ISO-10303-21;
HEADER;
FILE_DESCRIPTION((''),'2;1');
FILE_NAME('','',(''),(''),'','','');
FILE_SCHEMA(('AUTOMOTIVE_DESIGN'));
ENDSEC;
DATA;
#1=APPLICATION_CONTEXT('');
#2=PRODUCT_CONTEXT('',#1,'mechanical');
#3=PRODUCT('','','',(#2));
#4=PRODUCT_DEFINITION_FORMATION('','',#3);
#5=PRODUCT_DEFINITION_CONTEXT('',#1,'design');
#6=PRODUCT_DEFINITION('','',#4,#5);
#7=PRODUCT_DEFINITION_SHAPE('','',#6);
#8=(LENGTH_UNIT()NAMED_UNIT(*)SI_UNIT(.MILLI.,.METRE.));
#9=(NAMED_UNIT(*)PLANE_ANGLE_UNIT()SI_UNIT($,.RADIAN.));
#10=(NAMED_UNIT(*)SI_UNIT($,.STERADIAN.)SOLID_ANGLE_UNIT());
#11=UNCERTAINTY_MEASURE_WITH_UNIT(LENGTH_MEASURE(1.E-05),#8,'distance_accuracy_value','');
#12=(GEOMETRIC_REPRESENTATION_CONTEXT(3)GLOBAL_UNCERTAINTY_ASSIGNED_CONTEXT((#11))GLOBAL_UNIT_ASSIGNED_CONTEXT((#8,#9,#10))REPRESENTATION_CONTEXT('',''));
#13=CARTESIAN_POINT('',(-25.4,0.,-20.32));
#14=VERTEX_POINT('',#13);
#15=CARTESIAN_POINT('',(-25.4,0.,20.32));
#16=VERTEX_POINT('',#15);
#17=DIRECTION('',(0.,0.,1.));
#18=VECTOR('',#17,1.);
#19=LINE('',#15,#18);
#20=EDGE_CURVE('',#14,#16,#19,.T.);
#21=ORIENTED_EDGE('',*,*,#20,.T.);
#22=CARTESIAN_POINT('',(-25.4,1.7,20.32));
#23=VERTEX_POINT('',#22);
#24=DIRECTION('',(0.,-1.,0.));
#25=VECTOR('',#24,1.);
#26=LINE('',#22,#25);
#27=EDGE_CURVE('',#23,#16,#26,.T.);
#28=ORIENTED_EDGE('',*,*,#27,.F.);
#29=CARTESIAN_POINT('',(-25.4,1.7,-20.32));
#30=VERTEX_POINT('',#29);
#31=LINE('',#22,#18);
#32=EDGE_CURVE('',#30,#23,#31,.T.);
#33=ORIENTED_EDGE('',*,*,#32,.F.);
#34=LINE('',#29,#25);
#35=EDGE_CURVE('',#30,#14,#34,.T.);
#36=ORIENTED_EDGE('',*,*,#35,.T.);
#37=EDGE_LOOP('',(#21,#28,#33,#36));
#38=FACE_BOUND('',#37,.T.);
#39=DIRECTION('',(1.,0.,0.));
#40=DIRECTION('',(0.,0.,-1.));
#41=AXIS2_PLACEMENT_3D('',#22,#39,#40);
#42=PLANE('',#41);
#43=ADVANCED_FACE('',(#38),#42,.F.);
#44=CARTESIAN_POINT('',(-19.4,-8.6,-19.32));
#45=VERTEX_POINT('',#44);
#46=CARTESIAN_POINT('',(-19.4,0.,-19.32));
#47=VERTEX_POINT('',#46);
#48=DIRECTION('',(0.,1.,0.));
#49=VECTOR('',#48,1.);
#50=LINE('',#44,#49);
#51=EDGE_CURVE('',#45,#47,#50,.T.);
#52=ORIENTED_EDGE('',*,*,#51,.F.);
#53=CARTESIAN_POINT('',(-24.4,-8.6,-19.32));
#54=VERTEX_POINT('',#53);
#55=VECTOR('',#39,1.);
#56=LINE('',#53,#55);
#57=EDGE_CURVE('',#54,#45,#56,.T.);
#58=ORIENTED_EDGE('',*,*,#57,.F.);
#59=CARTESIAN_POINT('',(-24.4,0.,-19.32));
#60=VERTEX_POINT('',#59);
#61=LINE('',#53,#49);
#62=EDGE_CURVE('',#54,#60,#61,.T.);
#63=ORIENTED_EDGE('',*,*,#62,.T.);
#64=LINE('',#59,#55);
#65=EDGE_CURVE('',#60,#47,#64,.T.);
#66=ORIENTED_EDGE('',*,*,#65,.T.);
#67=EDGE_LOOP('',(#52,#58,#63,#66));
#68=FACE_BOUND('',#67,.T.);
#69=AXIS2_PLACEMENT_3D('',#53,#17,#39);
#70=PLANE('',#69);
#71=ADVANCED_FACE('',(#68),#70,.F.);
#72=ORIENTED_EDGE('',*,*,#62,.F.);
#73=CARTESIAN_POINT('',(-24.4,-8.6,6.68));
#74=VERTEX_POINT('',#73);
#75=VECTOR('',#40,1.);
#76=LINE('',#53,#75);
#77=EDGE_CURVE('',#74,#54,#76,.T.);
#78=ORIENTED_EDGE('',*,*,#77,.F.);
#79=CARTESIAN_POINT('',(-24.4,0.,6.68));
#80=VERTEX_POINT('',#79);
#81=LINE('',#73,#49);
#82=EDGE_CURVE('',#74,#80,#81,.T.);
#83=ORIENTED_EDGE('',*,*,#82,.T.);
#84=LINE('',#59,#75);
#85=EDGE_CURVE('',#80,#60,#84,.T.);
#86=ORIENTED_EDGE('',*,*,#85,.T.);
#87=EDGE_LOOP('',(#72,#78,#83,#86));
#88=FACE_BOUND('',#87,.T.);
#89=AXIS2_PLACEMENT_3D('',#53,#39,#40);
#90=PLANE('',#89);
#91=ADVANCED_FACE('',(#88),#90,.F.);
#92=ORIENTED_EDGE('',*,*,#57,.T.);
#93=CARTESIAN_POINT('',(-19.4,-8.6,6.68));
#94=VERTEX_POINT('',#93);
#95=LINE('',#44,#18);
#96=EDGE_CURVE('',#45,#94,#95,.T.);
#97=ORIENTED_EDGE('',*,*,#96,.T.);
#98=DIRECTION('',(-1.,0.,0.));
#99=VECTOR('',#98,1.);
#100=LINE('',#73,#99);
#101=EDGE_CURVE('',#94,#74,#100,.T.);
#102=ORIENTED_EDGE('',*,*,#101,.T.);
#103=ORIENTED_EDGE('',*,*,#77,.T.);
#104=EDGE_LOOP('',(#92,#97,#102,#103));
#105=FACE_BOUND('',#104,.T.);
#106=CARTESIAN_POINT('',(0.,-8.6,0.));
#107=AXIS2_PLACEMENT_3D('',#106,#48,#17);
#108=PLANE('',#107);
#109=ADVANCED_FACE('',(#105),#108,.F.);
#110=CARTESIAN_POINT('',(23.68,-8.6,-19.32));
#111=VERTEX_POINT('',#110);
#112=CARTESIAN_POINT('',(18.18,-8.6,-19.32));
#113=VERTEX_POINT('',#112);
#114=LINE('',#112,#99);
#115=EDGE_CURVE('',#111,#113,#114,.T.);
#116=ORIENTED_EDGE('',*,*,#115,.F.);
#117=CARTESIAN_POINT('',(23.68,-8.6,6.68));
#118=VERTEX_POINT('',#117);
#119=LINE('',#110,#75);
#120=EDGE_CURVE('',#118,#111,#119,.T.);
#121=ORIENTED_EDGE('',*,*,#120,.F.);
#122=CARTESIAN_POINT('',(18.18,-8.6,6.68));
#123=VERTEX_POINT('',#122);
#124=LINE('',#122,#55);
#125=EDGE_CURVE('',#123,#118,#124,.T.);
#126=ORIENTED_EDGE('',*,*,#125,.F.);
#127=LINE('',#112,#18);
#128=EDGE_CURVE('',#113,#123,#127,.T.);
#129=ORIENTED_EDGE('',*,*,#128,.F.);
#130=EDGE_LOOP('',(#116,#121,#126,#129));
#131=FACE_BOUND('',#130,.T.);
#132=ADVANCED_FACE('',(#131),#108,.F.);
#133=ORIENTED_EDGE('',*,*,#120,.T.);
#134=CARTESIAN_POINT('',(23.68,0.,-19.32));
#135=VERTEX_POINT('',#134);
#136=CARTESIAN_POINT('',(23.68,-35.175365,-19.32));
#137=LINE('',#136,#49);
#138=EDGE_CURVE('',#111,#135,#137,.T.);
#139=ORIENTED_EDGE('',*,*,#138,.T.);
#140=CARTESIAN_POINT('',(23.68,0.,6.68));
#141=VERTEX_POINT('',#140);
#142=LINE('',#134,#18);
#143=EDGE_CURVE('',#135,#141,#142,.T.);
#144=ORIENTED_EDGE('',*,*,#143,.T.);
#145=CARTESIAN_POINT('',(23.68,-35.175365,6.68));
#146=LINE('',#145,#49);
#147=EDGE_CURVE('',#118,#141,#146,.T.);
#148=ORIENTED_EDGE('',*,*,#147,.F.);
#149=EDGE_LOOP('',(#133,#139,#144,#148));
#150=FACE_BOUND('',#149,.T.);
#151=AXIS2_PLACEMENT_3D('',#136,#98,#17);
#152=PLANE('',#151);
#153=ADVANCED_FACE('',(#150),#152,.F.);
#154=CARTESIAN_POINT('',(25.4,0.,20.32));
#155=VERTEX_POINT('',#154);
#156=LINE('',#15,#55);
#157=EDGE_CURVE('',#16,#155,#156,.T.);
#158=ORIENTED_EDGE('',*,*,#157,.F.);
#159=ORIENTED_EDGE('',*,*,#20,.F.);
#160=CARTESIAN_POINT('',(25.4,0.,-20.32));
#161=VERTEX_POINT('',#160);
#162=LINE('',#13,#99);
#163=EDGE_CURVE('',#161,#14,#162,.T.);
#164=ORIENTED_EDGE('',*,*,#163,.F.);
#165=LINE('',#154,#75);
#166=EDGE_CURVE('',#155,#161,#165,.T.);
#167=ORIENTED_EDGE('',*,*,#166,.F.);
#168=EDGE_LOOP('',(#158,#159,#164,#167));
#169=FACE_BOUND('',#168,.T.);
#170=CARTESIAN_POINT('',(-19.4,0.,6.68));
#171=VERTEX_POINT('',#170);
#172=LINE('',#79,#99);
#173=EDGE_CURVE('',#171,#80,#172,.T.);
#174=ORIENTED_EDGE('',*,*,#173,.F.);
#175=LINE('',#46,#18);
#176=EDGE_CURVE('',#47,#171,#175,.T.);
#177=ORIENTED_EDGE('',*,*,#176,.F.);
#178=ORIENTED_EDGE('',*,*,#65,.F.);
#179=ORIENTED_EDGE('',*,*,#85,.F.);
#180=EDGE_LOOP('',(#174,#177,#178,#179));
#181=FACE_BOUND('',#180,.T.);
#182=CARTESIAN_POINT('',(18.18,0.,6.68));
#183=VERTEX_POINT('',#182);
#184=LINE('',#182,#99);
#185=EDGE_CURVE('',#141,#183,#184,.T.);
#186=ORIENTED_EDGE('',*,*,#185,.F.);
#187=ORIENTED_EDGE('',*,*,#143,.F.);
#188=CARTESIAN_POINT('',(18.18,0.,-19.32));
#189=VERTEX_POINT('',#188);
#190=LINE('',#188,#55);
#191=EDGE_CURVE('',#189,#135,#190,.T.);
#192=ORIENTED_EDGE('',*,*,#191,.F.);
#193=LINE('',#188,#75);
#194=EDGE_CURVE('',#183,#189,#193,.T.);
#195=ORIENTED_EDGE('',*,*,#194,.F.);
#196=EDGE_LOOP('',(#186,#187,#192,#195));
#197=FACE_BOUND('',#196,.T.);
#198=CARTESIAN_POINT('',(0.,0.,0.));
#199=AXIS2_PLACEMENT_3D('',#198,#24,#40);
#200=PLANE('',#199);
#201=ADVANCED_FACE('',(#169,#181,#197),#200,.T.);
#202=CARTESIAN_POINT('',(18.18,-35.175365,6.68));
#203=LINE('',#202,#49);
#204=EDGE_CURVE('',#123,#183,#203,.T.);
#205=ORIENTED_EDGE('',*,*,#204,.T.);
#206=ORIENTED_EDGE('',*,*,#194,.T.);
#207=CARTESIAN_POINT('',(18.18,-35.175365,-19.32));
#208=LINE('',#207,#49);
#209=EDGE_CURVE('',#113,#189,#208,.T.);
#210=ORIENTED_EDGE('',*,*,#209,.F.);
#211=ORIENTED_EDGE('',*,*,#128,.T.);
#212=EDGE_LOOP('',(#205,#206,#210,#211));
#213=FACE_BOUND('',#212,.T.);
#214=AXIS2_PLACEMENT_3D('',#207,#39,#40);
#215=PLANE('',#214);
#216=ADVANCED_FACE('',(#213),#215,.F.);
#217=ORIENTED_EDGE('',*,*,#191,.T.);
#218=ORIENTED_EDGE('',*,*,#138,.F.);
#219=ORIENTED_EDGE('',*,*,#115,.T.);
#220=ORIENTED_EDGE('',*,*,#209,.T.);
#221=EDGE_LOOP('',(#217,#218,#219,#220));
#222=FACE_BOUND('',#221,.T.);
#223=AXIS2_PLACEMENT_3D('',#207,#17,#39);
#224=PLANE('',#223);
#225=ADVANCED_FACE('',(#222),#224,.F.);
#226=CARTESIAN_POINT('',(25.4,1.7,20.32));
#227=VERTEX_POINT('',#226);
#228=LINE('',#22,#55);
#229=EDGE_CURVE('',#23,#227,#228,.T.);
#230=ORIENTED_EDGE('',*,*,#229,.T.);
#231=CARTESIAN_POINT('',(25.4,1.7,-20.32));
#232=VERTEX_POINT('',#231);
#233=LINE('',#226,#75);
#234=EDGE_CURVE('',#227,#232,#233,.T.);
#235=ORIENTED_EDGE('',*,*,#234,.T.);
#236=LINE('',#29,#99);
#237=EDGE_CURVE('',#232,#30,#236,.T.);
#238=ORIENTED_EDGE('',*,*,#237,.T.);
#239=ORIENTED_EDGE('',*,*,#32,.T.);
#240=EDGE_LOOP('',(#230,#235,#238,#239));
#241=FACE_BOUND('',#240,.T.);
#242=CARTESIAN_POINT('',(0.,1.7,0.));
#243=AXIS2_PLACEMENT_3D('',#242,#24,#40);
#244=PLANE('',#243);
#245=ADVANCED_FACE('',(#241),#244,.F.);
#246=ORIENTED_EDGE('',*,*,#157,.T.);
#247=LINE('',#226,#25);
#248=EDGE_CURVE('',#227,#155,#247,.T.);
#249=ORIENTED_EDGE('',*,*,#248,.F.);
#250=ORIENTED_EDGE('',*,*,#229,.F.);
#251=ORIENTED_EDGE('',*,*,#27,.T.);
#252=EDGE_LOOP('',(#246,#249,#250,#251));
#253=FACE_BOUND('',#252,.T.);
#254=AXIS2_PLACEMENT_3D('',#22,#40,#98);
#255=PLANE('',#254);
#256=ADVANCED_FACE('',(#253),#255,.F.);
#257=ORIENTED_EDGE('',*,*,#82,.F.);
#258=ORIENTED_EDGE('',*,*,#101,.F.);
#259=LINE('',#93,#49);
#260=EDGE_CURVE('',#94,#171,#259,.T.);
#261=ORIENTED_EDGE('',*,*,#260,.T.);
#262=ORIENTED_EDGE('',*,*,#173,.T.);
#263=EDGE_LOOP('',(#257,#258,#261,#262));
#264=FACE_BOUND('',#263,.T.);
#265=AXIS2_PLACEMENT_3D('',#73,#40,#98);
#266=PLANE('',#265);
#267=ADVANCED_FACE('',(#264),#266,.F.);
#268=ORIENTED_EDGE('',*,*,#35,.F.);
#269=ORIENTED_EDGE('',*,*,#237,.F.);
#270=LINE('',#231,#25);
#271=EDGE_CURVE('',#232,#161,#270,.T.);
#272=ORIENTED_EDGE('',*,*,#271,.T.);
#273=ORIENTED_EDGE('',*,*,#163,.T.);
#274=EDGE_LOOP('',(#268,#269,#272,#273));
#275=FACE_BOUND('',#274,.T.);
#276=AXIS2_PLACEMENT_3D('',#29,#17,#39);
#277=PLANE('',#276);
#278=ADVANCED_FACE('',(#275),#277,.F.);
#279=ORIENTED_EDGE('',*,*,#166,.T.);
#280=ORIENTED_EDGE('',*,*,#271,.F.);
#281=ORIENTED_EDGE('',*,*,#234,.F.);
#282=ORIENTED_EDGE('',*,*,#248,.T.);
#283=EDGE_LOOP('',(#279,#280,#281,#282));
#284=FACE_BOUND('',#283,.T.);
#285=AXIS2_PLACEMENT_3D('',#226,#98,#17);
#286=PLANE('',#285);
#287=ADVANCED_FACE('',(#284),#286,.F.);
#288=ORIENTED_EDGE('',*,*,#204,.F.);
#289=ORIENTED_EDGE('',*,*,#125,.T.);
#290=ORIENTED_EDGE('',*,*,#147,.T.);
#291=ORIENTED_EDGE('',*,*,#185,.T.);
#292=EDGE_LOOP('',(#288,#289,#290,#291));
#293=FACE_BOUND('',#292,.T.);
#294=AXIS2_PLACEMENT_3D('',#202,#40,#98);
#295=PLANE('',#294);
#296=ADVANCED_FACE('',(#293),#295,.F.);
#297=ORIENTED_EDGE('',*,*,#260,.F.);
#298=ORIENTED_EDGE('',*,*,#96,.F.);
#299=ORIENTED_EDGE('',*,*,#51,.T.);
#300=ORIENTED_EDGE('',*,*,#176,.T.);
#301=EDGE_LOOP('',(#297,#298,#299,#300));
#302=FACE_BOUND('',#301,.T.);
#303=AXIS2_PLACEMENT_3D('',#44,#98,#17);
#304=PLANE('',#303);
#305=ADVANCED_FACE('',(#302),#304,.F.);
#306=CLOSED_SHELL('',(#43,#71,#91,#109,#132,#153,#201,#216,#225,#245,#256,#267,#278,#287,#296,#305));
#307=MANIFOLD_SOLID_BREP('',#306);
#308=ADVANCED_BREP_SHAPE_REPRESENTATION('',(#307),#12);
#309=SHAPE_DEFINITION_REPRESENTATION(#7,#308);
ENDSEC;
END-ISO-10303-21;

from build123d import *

# Parameters (mm, degrees)
SKETCH1_W           = 50.8
SKETCH1_H           = 40.64
BOSS_EXTRUDE1_DEPTH = 1.7
SKETCH2_W           = 5
SKETCH2_H           = 26
BOSS_EXTRUDE2_DEPTH = 8.6
SKETCH3_W           = 5.5
SKETCH3_H           = 26
BOSS_EXTRUDE3_DEPTH = 8.6


with BuildPart() as part:
    # Sketch1 → Boss-Extrude1 (new body)
    with BuildSketch(Plane(origin=(0, 0, 0), x_dir=(1, 0, 0), z_dir=(0, 1, 0))):
        Rectangle(SKETCH1_W, SKETCH1_H)
    extrude(amount=BOSS_EXTRUDE1_DEPTH)

    # Sketch2 → Boss-Extrude2 (add)
    with BuildSketch(Plane.XZ):
        with Locations((-21.9, -6.32)):
            Rectangle(SKETCH2_W, SKETCH2_H)
    extrude(amount=BOSS_EXTRUDE2_DEPTH)

    # Sketch3 → Boss-Extrude3 (add)
    with BuildSketch(Plane.XZ):
        with Locations((20.93, -6.32)):
            Rectangle(SKETCH3_W, SKETCH3_H)
    extrude(amount=BOSS_EXTRUDE3_DEPTH)


solid = part.part
